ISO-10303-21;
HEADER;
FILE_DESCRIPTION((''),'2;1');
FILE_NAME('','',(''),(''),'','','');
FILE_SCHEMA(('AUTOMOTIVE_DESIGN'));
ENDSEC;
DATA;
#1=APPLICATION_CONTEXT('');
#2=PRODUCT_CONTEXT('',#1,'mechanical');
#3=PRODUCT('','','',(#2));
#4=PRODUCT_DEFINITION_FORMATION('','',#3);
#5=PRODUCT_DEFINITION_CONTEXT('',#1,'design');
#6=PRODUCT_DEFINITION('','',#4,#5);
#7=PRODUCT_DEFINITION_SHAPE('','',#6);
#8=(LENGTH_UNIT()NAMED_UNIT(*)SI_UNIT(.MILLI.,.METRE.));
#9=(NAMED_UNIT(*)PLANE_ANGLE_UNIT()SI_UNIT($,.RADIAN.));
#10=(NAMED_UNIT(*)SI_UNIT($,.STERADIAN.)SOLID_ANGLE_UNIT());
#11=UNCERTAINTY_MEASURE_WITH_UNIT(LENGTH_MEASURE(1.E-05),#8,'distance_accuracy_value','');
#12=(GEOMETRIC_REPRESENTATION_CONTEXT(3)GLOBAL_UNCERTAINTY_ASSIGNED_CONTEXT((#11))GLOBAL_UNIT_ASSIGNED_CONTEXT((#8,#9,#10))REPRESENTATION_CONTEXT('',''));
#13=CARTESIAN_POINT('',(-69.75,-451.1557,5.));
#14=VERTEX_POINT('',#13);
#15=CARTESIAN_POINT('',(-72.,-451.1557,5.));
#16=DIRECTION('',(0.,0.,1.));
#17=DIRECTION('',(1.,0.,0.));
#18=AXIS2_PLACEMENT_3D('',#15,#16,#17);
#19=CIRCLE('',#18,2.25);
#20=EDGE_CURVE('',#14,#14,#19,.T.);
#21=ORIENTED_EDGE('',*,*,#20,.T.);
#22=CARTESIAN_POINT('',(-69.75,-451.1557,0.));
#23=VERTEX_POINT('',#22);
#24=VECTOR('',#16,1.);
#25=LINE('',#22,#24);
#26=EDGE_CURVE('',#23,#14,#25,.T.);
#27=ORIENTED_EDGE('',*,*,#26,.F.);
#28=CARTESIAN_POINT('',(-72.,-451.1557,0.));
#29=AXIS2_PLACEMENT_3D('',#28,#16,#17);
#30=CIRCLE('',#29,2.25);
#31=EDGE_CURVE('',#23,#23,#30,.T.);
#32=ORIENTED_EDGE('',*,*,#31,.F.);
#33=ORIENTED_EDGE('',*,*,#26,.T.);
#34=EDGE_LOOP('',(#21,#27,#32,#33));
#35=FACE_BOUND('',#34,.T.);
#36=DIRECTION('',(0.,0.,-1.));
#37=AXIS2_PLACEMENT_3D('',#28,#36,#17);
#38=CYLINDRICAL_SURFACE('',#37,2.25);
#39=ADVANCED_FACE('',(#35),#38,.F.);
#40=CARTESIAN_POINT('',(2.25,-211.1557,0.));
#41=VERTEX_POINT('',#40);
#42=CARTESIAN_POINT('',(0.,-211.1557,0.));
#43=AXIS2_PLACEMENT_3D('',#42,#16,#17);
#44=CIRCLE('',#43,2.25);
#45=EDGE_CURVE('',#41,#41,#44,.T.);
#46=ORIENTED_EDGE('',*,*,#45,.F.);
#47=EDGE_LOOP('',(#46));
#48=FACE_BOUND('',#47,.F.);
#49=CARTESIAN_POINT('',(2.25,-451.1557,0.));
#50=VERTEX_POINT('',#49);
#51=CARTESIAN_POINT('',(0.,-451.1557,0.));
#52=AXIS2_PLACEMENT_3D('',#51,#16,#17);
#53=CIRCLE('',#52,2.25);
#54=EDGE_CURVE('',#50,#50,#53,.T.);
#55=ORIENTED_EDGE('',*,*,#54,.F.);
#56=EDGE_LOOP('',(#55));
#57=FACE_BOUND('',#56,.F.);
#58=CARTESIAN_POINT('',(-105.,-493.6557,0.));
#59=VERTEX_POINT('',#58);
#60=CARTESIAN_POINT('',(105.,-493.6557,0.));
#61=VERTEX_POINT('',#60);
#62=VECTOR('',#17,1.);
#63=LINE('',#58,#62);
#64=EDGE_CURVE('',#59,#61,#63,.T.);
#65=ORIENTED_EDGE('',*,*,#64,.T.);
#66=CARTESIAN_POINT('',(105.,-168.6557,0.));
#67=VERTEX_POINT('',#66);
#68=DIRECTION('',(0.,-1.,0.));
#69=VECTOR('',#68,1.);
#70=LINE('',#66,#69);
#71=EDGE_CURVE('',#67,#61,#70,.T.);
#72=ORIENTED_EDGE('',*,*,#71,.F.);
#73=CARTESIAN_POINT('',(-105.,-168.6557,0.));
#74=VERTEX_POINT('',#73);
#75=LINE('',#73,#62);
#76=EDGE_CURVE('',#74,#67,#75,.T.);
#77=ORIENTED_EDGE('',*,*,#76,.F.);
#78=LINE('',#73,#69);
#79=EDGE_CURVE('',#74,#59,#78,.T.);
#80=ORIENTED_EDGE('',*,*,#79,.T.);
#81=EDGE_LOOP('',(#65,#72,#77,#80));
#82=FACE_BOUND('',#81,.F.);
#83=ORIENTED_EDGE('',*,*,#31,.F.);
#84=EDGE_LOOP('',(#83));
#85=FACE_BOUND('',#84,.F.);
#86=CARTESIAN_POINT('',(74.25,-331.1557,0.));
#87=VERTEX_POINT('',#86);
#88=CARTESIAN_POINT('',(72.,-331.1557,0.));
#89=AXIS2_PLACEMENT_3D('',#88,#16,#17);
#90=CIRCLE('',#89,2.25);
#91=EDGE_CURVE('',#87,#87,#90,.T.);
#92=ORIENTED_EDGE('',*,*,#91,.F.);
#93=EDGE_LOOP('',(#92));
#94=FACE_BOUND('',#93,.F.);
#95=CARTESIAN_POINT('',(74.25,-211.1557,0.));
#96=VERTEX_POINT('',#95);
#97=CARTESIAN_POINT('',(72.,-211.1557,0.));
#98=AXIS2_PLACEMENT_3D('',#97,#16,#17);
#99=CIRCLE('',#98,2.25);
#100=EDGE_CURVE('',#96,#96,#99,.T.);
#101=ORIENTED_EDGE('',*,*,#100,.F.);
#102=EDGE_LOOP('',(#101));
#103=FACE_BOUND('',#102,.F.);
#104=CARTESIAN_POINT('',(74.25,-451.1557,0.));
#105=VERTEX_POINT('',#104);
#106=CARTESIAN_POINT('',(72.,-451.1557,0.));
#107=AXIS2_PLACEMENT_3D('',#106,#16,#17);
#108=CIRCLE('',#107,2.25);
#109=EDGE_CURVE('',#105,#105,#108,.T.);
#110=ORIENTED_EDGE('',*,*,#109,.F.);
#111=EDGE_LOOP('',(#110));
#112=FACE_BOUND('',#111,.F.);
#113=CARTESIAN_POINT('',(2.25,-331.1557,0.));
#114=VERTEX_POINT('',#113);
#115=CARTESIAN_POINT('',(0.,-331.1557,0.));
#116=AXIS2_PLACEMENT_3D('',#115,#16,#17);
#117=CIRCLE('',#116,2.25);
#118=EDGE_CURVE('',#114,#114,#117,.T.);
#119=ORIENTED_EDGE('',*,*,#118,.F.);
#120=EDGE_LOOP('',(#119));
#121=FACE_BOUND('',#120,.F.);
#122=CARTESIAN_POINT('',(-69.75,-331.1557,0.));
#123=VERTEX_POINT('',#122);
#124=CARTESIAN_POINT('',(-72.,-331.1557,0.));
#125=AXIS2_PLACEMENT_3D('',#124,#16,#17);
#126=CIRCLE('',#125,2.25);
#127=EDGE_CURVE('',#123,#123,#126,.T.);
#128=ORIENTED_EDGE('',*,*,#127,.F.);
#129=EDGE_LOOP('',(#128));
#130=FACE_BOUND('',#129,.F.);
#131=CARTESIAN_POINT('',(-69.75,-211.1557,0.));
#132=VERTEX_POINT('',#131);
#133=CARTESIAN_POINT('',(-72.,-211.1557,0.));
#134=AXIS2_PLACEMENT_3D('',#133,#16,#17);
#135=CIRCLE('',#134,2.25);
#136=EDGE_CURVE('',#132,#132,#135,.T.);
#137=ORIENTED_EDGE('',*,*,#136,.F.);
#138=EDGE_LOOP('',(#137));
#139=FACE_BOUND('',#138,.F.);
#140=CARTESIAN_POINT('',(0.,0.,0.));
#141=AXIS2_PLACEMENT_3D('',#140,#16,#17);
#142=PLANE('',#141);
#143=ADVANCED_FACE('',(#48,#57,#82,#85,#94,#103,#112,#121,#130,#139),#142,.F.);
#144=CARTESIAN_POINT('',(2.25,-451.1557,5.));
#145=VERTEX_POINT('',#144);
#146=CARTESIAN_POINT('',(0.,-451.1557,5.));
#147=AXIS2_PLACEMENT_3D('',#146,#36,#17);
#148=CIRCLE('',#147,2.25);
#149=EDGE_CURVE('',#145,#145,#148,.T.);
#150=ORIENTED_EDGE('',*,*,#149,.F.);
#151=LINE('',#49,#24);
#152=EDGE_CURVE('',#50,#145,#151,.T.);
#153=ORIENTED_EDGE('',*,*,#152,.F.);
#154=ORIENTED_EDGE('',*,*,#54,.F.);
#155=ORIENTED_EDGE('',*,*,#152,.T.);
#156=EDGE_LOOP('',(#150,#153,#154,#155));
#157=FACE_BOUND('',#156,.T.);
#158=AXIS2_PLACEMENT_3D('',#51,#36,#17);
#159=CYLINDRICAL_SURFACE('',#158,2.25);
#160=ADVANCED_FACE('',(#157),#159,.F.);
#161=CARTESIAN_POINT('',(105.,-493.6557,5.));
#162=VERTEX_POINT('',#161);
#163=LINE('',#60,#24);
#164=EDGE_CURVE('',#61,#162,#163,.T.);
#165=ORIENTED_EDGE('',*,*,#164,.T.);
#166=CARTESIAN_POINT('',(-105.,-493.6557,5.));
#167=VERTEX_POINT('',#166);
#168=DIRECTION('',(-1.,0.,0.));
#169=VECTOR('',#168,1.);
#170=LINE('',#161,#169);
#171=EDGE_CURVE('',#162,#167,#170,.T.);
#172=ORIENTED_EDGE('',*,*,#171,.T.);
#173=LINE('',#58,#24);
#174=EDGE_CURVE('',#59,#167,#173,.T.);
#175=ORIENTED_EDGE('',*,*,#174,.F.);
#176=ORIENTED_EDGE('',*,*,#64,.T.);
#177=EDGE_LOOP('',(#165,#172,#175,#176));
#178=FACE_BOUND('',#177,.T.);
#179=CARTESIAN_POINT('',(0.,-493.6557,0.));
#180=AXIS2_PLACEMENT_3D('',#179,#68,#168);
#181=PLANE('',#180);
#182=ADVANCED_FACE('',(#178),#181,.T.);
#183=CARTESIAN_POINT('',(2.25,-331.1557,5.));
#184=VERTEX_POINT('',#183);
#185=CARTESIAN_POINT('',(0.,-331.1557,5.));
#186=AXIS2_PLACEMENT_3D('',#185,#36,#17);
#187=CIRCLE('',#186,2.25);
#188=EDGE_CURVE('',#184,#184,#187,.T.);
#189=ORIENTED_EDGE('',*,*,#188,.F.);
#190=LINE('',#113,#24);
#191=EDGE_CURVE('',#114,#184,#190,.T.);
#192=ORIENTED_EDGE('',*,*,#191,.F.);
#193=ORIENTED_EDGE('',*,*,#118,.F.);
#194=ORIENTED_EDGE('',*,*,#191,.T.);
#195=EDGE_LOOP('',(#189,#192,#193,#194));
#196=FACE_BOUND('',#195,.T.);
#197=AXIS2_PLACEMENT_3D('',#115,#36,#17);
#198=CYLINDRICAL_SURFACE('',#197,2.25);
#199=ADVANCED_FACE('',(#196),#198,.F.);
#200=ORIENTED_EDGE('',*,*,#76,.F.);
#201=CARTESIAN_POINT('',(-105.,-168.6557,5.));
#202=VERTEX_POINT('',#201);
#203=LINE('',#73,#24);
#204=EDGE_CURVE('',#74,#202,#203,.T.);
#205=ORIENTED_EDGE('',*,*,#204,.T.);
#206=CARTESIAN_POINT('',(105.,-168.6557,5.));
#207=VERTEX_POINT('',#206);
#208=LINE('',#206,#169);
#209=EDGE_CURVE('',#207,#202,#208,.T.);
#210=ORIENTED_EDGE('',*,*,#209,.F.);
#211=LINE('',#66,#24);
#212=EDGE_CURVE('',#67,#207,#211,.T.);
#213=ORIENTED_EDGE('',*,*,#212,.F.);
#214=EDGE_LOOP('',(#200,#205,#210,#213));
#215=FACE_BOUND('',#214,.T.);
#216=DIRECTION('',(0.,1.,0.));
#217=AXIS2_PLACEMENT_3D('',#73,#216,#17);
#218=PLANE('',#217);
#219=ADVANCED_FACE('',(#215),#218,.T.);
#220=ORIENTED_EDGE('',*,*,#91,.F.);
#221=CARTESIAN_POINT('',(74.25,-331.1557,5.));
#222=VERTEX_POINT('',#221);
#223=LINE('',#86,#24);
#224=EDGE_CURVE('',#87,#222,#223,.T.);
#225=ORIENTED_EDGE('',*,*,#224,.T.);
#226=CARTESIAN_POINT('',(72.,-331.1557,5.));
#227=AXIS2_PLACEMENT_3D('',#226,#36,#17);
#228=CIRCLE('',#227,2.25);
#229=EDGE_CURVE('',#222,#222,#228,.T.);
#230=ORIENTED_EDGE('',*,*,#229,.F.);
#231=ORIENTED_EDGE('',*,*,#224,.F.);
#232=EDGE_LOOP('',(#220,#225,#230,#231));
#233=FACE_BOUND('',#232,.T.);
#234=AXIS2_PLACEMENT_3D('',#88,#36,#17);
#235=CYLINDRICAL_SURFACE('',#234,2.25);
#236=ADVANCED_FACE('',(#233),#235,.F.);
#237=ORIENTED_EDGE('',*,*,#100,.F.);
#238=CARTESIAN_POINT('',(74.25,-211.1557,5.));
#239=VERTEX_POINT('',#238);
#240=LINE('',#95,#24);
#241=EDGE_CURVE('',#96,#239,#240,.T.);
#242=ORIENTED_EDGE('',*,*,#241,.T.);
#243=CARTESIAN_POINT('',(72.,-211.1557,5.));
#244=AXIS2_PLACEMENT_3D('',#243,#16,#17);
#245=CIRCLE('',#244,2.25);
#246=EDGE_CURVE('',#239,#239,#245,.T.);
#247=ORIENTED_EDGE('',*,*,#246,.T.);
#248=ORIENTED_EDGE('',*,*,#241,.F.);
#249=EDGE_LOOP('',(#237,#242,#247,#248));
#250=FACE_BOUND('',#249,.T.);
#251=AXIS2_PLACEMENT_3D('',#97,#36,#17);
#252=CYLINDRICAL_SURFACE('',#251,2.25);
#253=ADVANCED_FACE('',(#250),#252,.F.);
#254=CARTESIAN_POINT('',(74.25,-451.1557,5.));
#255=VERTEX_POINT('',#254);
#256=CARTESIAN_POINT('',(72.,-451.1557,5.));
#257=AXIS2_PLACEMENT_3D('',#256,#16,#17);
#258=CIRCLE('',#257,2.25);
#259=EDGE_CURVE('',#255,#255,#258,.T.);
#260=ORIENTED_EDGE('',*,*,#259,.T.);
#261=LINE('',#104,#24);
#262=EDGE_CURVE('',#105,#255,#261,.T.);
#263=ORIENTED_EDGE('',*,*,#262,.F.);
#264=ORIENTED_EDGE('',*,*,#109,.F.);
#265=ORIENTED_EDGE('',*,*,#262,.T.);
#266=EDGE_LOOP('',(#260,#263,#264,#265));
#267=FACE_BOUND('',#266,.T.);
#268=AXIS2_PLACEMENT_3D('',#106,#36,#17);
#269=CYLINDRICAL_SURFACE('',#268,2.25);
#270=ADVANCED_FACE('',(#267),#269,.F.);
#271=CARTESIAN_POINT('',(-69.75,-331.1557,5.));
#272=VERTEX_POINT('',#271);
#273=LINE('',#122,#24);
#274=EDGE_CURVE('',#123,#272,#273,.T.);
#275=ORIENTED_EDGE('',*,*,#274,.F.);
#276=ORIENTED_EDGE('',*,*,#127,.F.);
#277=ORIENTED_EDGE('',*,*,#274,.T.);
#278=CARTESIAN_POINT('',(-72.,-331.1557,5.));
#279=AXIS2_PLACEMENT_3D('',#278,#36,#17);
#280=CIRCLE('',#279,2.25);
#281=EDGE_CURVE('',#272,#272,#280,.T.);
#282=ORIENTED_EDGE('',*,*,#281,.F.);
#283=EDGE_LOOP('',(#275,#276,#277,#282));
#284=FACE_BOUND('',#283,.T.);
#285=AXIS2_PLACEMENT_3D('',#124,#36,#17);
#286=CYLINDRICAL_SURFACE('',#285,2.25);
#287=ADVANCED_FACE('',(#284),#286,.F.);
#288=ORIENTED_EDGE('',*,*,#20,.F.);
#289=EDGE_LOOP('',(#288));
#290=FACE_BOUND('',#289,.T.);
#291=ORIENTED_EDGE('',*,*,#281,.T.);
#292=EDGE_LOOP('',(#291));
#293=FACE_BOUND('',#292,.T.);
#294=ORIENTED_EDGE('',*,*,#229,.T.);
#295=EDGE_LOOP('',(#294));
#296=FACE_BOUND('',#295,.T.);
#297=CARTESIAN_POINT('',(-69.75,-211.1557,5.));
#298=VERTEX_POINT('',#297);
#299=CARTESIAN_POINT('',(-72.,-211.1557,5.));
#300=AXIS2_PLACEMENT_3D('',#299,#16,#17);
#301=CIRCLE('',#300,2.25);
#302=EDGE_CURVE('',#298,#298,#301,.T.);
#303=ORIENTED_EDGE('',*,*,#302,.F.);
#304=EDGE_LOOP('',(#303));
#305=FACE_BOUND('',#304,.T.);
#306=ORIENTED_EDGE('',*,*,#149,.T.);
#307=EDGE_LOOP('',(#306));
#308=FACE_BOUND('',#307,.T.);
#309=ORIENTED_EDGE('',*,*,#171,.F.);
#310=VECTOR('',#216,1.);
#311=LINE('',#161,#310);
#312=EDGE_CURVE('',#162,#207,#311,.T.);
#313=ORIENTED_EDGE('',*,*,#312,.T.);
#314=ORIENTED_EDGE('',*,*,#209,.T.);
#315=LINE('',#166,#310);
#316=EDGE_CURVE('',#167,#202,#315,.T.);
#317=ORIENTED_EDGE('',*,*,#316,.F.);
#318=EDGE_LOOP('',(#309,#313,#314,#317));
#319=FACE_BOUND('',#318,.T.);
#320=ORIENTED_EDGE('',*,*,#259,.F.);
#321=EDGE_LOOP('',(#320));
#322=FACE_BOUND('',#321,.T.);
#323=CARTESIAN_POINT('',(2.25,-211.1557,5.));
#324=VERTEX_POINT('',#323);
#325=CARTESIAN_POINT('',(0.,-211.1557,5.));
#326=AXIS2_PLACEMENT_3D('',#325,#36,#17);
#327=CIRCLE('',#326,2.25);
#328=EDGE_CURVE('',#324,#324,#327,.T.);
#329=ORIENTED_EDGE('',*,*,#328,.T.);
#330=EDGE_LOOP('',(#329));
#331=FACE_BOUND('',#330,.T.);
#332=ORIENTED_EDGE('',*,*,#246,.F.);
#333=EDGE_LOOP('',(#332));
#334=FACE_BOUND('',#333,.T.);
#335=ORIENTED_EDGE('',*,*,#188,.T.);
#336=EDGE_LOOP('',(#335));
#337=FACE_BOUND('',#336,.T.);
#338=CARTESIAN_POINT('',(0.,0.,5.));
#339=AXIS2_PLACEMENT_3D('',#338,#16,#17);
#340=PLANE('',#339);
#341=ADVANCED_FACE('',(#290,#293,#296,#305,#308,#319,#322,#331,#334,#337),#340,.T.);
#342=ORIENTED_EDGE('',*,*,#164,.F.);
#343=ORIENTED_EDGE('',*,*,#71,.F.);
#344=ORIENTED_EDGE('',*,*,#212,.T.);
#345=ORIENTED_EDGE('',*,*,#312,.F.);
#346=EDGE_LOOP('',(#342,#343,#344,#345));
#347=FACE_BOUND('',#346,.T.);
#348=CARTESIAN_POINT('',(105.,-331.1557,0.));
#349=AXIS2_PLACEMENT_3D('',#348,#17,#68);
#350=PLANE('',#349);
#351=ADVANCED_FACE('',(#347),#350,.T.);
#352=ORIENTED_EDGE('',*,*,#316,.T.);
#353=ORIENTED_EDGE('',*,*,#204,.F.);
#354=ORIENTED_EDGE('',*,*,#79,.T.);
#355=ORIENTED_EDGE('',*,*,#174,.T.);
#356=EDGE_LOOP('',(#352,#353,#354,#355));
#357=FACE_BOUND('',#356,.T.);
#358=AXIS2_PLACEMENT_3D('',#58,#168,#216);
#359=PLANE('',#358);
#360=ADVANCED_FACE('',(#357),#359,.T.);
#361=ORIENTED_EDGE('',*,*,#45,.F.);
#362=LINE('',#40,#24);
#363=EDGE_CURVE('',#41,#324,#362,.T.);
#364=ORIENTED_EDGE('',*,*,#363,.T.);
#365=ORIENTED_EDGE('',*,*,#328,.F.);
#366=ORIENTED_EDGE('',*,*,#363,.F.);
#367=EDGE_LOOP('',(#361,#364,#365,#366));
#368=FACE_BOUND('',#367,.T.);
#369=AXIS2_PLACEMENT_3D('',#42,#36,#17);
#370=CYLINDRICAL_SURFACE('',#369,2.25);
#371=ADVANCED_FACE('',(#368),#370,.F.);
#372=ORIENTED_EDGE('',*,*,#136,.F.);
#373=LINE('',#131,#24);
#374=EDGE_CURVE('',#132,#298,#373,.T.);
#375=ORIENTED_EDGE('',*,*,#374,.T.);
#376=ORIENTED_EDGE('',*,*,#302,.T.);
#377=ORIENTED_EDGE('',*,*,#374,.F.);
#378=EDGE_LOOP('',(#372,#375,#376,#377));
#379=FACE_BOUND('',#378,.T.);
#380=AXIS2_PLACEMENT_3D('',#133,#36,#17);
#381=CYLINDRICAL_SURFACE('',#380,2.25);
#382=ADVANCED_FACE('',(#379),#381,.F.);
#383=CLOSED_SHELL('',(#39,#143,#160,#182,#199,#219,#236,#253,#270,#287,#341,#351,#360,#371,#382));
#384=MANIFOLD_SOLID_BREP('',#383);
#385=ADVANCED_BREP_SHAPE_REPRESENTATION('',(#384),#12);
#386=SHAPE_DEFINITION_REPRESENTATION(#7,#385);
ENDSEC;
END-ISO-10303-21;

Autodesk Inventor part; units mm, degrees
ref_plane "YZ Plane" through (0, 0, 0) normal (1, 0, 0) x (0, 1, 0)
ref_plane "XZ Plane" through (0, 0, 0) normal (0, 1, 0) x (-1, 0, 0)
ref_plane "XY Plane" through (0, 0, 0) normal (0, 0, 1) x (1, 0, 0)
ref_plane "作業平面1" through (0, 0, 0) normal (0, 0, 1) x (1, 0, 0)
sketch "スケッチ1" plane through (0, 0, 0) normal (0, 0, 1) x (1, 0, 0)
  line L0 (0, -891.1557) -> (0, 228.8443)
  line L1 (-147, -331.1557) -> (147, -331.1557)
  circle A0 centre (72, -331.1557) radius 2.25 projected
  circle A1 centre (-72, -211.1557) radius 2.25 projected
  circle A2 centre (0, -451.1557) radius 2.25 projected
  circle A3 centre (-72, -331.1557) radius 2.25 projected
  circle A4 centre (0, -331.1557) radius 2.25 projected
  circle A5 centre (-72, -451.1557) radius 2.25 projected
  circle A6 centre (0, -211.1557) radius 2.25 projected
  circle A7 centre (72, -451.1557) radius 2.25 projected
  circle A8 centre (72, -211.1557) radius 2.25 projected
  circle A9 centre (20.5, -135.3359) radius 2.75 projected
  circle A10 centre (20.5, -72.3359) radius 2.75 projected
  circle A11 centre (-20.5, -585.3359) radius 2.75 projected
  circle A12 centre (20.5, -522.3359) radius 2.75 projected
  circle A13 centre (-20.5, -522.3359) radius 2.75 projected
  circle A14 centre (20.5, -585.3359) radius 2.75 projected
  circle A15 centre (-20.5, -72.3359) radius 2.75 projected
  circle A16 centre (-20.5, -135.3359) radius 2.75 projected
  arc A17 (105, -36.1557) -> (-105, -36.1557) centre (0, -36.1557) ccw projected
  line L2 (-105, -626.1557) -> (-105, -36.1557) projected
  arc A18 (-105, -626.1557) -> (105, -626.1557) centre (0, -626.1557) ccw projected
  line L3 (105, -36.1557) -> (105, -626.1557) projected
  line L4 (105, -493.6557) -> (-105, -493.6557)
  line L5 (-105, -493.6557) -> (-105, -168.6557)
  line L6 (-105, -168.6557) -> (105, -168.6557)
  line L7 (105, -168.6557) -> (105, -493.6557)
  line L8 (105, -493.6557) -> (-105, -168.6557) construction
  line L9 (-105, -493.6557) -> (105, -168.6557) construction
  point P0 (0, 0)
  dimension "d0" = 325
extrude "押し出し1" add sketch "スケッチ1" along normal blind 5 contours L4 L2 L1 A3 A4 L0 A2 | L0 A2 A4 L1 A0 L3 L4 | L1 A0 A4 L0 A6 L6 L3 | L2 L6 L0 A6 A4 L1 A3
properties part number "components_board"
